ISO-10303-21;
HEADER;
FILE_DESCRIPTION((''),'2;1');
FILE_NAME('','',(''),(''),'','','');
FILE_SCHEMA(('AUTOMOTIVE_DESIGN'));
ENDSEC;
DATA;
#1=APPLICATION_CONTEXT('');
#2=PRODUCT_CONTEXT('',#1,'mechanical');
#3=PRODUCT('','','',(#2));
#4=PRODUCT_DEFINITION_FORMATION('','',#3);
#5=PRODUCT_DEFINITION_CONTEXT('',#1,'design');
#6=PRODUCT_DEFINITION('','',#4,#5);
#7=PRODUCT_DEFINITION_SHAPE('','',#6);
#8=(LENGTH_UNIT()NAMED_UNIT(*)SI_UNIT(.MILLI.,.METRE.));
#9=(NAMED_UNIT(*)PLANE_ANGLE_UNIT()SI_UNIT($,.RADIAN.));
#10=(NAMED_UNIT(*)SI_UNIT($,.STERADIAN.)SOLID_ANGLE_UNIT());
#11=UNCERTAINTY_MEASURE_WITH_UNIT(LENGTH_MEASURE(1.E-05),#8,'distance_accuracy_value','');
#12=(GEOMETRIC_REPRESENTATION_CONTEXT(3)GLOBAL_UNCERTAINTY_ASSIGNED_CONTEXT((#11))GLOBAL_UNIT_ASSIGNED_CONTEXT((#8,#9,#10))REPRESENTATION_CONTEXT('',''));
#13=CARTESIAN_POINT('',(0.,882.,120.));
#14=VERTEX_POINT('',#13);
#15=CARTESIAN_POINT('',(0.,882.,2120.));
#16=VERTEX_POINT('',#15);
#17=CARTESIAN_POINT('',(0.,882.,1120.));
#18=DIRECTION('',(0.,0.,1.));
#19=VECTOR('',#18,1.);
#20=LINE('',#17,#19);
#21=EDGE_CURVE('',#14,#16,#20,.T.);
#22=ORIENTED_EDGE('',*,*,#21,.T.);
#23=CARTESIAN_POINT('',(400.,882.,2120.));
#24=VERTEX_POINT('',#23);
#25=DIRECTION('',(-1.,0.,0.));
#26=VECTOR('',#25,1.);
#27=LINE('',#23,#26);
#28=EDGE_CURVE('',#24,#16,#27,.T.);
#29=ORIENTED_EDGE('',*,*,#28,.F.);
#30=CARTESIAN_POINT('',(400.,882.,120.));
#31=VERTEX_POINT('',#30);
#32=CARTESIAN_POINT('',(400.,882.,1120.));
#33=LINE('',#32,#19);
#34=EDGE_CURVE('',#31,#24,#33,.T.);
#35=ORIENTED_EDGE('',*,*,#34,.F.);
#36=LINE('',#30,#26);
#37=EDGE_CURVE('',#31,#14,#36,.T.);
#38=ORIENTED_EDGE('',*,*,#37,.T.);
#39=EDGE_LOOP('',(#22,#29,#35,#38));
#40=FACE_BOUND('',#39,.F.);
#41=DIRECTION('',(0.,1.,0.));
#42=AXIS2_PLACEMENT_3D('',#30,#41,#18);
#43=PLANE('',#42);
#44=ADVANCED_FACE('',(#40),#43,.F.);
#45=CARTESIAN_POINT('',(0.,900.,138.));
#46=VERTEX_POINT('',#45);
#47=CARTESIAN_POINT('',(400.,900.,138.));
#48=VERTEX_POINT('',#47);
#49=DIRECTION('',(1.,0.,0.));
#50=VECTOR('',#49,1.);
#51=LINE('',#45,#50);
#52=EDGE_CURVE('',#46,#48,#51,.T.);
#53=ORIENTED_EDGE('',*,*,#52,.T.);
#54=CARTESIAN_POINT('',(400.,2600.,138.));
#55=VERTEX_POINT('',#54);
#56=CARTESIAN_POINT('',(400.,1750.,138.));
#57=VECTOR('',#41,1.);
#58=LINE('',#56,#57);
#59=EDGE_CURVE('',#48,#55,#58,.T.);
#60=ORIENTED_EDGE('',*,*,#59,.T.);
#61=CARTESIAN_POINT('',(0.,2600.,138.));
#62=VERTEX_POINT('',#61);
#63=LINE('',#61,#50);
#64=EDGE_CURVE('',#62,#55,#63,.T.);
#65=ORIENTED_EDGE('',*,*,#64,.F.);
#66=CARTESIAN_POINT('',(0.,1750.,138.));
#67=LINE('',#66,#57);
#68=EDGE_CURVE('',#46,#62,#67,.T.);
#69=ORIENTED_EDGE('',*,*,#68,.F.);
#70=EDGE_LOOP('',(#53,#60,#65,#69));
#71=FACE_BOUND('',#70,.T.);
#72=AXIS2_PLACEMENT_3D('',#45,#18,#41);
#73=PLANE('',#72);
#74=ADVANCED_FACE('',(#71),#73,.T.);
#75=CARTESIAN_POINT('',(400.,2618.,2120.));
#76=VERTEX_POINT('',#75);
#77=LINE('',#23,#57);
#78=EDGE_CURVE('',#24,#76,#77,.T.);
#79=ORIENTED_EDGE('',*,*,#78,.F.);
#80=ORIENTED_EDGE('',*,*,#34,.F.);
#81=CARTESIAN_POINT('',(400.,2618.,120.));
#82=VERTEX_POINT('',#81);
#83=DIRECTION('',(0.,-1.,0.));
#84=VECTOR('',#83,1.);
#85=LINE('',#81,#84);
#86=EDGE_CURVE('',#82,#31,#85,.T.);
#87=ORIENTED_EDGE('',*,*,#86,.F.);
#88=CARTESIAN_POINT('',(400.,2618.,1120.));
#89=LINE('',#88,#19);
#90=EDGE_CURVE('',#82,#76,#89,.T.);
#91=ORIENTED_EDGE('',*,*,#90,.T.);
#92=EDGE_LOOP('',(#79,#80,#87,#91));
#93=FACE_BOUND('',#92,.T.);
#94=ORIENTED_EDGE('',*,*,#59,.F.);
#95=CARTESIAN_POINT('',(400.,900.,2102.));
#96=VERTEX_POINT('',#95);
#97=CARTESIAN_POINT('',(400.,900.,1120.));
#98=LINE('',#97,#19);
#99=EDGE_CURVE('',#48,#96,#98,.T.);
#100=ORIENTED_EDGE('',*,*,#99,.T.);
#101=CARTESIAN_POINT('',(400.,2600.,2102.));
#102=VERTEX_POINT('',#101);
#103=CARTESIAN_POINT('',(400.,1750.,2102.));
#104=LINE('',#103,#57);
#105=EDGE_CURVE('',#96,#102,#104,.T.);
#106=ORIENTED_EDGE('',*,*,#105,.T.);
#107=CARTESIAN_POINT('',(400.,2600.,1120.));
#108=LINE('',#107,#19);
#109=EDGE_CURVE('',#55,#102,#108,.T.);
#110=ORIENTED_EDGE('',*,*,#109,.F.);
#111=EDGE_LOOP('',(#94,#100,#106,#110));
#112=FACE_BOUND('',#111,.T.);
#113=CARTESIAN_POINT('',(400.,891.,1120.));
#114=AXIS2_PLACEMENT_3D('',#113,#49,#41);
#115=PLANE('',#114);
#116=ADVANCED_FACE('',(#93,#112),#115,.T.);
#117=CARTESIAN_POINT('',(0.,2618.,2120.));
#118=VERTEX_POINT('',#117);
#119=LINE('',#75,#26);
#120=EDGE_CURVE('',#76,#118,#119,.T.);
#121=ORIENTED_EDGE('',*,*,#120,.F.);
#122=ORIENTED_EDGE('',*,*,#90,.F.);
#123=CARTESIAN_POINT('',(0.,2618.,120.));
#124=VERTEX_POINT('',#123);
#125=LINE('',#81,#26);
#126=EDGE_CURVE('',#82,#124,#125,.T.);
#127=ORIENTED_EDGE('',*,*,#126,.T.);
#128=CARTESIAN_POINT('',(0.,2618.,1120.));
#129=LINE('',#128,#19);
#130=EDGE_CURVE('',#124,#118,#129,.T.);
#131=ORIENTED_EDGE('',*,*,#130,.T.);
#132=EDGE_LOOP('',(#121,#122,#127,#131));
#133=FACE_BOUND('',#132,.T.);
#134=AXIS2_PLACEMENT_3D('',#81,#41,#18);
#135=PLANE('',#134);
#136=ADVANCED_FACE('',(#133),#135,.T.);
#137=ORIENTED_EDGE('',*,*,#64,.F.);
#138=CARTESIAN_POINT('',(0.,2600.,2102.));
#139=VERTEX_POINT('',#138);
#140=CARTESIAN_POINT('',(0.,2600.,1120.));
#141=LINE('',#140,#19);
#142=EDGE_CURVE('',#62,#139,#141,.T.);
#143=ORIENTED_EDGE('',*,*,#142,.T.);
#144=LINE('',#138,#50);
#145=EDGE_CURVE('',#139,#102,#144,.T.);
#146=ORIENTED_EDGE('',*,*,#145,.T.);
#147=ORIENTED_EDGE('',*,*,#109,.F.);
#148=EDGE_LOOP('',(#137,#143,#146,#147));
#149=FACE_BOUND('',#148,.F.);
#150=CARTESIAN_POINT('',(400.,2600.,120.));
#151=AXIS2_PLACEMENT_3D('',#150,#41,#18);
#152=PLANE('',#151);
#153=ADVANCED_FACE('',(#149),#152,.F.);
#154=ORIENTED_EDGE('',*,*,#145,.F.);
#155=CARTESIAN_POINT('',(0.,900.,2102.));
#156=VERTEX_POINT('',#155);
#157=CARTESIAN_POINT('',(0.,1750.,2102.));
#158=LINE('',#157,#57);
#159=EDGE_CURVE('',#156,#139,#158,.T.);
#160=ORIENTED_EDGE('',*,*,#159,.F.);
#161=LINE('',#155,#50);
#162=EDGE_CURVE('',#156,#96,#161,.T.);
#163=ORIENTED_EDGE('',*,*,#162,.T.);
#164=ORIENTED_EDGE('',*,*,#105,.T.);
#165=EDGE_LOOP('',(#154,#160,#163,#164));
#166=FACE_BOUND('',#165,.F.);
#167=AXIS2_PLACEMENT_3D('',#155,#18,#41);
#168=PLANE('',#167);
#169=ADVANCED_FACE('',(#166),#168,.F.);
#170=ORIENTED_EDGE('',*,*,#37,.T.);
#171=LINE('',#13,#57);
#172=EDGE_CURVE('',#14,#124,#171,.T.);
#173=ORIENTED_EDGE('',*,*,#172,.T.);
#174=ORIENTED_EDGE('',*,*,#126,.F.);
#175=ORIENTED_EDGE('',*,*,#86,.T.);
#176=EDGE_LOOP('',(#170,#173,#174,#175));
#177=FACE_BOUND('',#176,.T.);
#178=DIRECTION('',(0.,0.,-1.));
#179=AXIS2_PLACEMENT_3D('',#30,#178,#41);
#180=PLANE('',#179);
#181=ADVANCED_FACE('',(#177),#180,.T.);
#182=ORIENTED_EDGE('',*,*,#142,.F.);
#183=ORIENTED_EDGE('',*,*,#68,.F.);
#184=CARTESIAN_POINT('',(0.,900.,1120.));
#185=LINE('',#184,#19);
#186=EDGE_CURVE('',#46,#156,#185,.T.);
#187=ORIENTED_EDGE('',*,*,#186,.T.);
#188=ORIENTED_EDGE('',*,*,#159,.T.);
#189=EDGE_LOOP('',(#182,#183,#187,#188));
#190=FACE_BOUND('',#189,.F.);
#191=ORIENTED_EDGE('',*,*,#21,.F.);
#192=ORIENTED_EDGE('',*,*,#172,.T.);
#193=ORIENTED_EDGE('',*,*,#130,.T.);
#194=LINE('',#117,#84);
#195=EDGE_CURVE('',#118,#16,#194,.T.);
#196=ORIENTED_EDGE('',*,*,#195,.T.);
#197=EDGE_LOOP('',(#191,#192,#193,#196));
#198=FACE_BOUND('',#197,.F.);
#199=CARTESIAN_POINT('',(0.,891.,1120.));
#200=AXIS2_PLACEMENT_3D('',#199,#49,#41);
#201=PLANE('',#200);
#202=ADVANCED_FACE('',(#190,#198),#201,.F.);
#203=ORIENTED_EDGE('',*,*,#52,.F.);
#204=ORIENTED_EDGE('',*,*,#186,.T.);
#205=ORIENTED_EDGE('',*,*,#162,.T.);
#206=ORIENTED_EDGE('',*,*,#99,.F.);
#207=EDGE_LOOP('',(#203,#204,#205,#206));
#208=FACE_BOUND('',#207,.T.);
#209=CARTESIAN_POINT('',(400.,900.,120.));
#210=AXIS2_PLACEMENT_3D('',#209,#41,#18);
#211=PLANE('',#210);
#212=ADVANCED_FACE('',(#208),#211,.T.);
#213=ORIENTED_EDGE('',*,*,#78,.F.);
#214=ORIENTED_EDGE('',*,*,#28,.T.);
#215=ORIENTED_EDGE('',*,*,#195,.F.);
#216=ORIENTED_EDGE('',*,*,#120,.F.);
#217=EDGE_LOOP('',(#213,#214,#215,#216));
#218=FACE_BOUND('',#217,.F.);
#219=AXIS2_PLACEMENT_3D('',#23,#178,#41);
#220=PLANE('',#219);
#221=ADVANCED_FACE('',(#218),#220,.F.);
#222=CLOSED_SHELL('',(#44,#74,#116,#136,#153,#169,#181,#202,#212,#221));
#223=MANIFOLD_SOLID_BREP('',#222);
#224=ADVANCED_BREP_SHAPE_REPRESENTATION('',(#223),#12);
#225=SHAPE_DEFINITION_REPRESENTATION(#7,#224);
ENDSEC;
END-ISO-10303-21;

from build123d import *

# Parameters (mm, degrees)
F0_W     = 1700
F0_H     = 18
F1_DEPTH = 400
F2_W     = 18
F2_H     = 2000
F3_DEPTH = 400


with BuildPart() as f1:
    # F0 (on Right) → F1 (new body)
    with BuildSketch(Plane.YZ):
        with Locations((1750, 129)):
            Rectangle(F0_W, F0_H)
        with Locations((1750, 2111)):
            Rectangle(F0_W, F0_H)
    extrude(amount=F1_DEPTH)

    # F2 (on face) → F3 (join)
    with BuildSketch(Plane.YZ.offset(400)):
        with Locations((891, 1120)):
            Rectangle(F2_W, F2_H)
        with Locations((2609, 1120)):
            Rectangle(F2_W, F2_H)
    extrude(amount=-F3_DEPTH)


solid = f1.part
